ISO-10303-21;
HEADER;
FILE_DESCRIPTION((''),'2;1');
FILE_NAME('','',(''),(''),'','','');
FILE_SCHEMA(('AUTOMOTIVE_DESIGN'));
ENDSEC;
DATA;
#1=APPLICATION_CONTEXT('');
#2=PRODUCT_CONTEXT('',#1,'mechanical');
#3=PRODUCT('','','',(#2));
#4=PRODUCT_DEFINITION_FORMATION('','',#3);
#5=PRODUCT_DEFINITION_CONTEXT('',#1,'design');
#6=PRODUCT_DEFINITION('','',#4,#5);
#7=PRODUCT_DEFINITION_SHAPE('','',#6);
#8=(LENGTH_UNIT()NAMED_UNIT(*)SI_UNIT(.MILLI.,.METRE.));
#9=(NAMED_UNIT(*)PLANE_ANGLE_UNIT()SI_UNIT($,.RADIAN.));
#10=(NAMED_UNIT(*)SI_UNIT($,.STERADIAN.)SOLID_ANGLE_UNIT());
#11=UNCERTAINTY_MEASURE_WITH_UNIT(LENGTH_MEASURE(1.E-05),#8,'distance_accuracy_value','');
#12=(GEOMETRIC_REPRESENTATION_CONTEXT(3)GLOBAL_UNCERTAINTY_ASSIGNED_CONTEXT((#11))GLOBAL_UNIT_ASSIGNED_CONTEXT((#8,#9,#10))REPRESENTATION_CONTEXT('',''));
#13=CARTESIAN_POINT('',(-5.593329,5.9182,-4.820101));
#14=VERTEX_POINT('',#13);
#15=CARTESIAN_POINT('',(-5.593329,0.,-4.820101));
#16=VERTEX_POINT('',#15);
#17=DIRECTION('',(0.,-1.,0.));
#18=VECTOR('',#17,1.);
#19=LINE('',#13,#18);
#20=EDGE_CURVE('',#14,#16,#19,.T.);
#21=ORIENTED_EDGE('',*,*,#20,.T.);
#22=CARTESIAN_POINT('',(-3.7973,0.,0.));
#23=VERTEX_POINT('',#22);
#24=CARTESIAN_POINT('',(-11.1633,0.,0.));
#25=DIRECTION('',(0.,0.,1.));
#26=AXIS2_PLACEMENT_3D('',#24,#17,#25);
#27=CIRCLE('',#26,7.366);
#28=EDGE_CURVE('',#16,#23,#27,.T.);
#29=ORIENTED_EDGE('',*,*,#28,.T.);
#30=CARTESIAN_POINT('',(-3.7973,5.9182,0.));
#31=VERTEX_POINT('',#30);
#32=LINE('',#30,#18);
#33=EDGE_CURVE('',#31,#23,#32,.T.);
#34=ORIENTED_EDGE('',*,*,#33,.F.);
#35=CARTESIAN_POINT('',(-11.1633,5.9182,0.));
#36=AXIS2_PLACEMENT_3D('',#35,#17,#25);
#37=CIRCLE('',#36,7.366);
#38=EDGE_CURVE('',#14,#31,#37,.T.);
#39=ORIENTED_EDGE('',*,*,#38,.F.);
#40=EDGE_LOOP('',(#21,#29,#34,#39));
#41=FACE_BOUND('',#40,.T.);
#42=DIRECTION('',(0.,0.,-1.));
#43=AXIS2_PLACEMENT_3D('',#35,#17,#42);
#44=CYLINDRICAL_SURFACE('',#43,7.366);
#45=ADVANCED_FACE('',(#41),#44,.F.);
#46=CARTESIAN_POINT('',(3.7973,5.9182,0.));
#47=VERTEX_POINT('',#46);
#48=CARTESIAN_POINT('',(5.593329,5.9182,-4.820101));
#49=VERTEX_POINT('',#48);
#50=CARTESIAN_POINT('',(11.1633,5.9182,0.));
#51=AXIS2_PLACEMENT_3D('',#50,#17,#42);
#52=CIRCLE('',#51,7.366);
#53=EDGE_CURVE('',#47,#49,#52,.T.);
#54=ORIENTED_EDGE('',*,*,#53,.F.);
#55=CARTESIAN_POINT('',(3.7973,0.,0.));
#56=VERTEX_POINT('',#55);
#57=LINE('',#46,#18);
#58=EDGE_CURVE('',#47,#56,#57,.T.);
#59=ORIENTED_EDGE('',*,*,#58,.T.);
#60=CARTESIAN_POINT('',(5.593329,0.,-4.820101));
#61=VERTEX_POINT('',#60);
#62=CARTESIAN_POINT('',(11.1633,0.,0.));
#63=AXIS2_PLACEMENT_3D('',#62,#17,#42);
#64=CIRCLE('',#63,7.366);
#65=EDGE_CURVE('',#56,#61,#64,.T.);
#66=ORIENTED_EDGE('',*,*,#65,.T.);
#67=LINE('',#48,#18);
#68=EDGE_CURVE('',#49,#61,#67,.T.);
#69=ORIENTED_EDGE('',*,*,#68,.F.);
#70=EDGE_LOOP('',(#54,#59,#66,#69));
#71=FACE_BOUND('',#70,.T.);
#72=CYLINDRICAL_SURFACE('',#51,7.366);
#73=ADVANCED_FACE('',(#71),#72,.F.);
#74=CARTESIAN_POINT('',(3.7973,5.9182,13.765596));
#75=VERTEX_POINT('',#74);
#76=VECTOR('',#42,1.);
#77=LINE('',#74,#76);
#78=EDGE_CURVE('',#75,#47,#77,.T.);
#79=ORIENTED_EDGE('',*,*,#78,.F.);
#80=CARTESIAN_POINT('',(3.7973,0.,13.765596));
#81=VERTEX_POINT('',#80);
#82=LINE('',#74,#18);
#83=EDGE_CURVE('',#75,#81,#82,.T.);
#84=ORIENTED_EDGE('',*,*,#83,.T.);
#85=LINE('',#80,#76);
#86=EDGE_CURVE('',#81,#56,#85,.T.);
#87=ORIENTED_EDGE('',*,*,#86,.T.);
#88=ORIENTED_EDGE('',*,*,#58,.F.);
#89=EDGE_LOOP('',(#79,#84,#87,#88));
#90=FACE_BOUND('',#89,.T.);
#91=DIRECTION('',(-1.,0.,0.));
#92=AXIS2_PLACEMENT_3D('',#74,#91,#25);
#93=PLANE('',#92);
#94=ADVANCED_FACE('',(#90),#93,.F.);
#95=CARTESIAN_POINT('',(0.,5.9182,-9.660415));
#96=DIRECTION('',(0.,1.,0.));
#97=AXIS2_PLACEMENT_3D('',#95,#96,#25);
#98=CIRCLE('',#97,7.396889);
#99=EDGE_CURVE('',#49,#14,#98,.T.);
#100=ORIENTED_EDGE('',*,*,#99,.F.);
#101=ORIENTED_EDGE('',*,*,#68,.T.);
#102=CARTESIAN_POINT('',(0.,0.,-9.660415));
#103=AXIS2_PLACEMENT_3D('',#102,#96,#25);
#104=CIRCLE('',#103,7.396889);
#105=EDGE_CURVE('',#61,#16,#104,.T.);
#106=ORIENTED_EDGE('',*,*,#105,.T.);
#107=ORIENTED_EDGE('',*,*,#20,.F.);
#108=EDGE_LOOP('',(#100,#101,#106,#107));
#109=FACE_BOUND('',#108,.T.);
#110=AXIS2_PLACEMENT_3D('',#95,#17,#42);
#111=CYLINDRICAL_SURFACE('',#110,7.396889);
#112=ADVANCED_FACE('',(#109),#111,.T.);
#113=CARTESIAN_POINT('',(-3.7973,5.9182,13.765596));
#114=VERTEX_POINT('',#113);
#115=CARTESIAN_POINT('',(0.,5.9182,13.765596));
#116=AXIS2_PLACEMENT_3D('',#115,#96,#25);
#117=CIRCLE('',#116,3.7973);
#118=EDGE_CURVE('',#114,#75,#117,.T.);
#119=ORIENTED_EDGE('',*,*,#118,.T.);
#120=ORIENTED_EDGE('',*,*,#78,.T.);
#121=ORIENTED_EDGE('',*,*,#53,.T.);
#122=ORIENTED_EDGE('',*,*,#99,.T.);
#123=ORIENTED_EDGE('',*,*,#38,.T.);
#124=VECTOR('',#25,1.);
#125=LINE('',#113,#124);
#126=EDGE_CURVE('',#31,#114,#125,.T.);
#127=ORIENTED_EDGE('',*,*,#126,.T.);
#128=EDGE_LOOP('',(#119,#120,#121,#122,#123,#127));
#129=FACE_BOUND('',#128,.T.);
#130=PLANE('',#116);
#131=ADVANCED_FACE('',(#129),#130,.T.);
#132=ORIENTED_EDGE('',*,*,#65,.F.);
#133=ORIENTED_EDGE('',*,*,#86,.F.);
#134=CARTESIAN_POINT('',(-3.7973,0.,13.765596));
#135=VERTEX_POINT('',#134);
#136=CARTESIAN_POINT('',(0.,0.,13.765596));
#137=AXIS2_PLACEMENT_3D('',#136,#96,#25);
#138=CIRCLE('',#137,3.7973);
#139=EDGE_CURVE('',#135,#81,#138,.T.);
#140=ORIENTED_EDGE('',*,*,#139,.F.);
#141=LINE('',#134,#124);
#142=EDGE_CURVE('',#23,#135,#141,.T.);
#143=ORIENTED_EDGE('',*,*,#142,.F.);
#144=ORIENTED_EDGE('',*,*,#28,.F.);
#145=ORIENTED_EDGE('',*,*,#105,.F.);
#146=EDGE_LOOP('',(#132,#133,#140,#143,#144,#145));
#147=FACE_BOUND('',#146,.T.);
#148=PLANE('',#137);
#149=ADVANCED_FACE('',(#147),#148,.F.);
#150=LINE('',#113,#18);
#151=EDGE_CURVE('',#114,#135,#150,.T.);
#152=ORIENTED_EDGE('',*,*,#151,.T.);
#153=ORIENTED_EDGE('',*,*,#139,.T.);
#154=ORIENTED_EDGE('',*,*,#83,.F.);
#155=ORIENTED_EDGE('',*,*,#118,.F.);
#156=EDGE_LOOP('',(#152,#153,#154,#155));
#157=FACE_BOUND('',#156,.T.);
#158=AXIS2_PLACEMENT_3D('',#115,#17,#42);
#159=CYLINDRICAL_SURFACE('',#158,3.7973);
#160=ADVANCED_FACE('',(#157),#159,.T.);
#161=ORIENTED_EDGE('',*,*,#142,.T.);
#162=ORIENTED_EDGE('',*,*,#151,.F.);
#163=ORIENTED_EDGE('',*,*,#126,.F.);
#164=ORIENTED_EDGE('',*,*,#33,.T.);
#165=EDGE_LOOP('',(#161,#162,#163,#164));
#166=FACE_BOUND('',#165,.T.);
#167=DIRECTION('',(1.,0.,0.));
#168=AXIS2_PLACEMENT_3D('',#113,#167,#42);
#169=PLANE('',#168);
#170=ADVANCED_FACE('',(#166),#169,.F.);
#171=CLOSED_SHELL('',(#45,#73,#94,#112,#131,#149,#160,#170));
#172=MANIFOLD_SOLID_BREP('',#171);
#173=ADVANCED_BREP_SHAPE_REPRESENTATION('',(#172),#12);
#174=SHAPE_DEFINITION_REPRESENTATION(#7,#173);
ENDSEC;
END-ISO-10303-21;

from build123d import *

# Parameters (mm, degrees)
BOSS_EXTRUDE1_DEPTH = 5.9182


with BuildPart() as part:
    # Sketch2 → Boss-Extrude1 (new body)
    with BuildSketch(Plane(origin=(0, 0, 0), x_dir=(1, 0, 0), z_dir=(0, 1, 0))):
        with BuildLine():
            Line((-3.7973, -13.765596442), (-3.7973, 0))
            ThreePointArc((-3.7973, 0), (-4.260895877, 2.571920163), (-5.593328598, 4.820101096))
            ThreePointArc((-5.593328598, 4.820101096), (0, 17.057303558), (5.593328598, 4.820101096))
            ThreePointArc((5.593328598, 4.820101096), (4.260895877, 2.571920163), (3.7973, 0))
            Line((3.7973, 0), (3.7973, -13.765596442))
            ThreePointArc((3.7973, -13.765596442), (0, -17.562896442), (-3.7973, -13.765596442))
        make_face()
    extrude(amount=BOSS_EXTRUDE1_DEPTH)


solid = part.part
